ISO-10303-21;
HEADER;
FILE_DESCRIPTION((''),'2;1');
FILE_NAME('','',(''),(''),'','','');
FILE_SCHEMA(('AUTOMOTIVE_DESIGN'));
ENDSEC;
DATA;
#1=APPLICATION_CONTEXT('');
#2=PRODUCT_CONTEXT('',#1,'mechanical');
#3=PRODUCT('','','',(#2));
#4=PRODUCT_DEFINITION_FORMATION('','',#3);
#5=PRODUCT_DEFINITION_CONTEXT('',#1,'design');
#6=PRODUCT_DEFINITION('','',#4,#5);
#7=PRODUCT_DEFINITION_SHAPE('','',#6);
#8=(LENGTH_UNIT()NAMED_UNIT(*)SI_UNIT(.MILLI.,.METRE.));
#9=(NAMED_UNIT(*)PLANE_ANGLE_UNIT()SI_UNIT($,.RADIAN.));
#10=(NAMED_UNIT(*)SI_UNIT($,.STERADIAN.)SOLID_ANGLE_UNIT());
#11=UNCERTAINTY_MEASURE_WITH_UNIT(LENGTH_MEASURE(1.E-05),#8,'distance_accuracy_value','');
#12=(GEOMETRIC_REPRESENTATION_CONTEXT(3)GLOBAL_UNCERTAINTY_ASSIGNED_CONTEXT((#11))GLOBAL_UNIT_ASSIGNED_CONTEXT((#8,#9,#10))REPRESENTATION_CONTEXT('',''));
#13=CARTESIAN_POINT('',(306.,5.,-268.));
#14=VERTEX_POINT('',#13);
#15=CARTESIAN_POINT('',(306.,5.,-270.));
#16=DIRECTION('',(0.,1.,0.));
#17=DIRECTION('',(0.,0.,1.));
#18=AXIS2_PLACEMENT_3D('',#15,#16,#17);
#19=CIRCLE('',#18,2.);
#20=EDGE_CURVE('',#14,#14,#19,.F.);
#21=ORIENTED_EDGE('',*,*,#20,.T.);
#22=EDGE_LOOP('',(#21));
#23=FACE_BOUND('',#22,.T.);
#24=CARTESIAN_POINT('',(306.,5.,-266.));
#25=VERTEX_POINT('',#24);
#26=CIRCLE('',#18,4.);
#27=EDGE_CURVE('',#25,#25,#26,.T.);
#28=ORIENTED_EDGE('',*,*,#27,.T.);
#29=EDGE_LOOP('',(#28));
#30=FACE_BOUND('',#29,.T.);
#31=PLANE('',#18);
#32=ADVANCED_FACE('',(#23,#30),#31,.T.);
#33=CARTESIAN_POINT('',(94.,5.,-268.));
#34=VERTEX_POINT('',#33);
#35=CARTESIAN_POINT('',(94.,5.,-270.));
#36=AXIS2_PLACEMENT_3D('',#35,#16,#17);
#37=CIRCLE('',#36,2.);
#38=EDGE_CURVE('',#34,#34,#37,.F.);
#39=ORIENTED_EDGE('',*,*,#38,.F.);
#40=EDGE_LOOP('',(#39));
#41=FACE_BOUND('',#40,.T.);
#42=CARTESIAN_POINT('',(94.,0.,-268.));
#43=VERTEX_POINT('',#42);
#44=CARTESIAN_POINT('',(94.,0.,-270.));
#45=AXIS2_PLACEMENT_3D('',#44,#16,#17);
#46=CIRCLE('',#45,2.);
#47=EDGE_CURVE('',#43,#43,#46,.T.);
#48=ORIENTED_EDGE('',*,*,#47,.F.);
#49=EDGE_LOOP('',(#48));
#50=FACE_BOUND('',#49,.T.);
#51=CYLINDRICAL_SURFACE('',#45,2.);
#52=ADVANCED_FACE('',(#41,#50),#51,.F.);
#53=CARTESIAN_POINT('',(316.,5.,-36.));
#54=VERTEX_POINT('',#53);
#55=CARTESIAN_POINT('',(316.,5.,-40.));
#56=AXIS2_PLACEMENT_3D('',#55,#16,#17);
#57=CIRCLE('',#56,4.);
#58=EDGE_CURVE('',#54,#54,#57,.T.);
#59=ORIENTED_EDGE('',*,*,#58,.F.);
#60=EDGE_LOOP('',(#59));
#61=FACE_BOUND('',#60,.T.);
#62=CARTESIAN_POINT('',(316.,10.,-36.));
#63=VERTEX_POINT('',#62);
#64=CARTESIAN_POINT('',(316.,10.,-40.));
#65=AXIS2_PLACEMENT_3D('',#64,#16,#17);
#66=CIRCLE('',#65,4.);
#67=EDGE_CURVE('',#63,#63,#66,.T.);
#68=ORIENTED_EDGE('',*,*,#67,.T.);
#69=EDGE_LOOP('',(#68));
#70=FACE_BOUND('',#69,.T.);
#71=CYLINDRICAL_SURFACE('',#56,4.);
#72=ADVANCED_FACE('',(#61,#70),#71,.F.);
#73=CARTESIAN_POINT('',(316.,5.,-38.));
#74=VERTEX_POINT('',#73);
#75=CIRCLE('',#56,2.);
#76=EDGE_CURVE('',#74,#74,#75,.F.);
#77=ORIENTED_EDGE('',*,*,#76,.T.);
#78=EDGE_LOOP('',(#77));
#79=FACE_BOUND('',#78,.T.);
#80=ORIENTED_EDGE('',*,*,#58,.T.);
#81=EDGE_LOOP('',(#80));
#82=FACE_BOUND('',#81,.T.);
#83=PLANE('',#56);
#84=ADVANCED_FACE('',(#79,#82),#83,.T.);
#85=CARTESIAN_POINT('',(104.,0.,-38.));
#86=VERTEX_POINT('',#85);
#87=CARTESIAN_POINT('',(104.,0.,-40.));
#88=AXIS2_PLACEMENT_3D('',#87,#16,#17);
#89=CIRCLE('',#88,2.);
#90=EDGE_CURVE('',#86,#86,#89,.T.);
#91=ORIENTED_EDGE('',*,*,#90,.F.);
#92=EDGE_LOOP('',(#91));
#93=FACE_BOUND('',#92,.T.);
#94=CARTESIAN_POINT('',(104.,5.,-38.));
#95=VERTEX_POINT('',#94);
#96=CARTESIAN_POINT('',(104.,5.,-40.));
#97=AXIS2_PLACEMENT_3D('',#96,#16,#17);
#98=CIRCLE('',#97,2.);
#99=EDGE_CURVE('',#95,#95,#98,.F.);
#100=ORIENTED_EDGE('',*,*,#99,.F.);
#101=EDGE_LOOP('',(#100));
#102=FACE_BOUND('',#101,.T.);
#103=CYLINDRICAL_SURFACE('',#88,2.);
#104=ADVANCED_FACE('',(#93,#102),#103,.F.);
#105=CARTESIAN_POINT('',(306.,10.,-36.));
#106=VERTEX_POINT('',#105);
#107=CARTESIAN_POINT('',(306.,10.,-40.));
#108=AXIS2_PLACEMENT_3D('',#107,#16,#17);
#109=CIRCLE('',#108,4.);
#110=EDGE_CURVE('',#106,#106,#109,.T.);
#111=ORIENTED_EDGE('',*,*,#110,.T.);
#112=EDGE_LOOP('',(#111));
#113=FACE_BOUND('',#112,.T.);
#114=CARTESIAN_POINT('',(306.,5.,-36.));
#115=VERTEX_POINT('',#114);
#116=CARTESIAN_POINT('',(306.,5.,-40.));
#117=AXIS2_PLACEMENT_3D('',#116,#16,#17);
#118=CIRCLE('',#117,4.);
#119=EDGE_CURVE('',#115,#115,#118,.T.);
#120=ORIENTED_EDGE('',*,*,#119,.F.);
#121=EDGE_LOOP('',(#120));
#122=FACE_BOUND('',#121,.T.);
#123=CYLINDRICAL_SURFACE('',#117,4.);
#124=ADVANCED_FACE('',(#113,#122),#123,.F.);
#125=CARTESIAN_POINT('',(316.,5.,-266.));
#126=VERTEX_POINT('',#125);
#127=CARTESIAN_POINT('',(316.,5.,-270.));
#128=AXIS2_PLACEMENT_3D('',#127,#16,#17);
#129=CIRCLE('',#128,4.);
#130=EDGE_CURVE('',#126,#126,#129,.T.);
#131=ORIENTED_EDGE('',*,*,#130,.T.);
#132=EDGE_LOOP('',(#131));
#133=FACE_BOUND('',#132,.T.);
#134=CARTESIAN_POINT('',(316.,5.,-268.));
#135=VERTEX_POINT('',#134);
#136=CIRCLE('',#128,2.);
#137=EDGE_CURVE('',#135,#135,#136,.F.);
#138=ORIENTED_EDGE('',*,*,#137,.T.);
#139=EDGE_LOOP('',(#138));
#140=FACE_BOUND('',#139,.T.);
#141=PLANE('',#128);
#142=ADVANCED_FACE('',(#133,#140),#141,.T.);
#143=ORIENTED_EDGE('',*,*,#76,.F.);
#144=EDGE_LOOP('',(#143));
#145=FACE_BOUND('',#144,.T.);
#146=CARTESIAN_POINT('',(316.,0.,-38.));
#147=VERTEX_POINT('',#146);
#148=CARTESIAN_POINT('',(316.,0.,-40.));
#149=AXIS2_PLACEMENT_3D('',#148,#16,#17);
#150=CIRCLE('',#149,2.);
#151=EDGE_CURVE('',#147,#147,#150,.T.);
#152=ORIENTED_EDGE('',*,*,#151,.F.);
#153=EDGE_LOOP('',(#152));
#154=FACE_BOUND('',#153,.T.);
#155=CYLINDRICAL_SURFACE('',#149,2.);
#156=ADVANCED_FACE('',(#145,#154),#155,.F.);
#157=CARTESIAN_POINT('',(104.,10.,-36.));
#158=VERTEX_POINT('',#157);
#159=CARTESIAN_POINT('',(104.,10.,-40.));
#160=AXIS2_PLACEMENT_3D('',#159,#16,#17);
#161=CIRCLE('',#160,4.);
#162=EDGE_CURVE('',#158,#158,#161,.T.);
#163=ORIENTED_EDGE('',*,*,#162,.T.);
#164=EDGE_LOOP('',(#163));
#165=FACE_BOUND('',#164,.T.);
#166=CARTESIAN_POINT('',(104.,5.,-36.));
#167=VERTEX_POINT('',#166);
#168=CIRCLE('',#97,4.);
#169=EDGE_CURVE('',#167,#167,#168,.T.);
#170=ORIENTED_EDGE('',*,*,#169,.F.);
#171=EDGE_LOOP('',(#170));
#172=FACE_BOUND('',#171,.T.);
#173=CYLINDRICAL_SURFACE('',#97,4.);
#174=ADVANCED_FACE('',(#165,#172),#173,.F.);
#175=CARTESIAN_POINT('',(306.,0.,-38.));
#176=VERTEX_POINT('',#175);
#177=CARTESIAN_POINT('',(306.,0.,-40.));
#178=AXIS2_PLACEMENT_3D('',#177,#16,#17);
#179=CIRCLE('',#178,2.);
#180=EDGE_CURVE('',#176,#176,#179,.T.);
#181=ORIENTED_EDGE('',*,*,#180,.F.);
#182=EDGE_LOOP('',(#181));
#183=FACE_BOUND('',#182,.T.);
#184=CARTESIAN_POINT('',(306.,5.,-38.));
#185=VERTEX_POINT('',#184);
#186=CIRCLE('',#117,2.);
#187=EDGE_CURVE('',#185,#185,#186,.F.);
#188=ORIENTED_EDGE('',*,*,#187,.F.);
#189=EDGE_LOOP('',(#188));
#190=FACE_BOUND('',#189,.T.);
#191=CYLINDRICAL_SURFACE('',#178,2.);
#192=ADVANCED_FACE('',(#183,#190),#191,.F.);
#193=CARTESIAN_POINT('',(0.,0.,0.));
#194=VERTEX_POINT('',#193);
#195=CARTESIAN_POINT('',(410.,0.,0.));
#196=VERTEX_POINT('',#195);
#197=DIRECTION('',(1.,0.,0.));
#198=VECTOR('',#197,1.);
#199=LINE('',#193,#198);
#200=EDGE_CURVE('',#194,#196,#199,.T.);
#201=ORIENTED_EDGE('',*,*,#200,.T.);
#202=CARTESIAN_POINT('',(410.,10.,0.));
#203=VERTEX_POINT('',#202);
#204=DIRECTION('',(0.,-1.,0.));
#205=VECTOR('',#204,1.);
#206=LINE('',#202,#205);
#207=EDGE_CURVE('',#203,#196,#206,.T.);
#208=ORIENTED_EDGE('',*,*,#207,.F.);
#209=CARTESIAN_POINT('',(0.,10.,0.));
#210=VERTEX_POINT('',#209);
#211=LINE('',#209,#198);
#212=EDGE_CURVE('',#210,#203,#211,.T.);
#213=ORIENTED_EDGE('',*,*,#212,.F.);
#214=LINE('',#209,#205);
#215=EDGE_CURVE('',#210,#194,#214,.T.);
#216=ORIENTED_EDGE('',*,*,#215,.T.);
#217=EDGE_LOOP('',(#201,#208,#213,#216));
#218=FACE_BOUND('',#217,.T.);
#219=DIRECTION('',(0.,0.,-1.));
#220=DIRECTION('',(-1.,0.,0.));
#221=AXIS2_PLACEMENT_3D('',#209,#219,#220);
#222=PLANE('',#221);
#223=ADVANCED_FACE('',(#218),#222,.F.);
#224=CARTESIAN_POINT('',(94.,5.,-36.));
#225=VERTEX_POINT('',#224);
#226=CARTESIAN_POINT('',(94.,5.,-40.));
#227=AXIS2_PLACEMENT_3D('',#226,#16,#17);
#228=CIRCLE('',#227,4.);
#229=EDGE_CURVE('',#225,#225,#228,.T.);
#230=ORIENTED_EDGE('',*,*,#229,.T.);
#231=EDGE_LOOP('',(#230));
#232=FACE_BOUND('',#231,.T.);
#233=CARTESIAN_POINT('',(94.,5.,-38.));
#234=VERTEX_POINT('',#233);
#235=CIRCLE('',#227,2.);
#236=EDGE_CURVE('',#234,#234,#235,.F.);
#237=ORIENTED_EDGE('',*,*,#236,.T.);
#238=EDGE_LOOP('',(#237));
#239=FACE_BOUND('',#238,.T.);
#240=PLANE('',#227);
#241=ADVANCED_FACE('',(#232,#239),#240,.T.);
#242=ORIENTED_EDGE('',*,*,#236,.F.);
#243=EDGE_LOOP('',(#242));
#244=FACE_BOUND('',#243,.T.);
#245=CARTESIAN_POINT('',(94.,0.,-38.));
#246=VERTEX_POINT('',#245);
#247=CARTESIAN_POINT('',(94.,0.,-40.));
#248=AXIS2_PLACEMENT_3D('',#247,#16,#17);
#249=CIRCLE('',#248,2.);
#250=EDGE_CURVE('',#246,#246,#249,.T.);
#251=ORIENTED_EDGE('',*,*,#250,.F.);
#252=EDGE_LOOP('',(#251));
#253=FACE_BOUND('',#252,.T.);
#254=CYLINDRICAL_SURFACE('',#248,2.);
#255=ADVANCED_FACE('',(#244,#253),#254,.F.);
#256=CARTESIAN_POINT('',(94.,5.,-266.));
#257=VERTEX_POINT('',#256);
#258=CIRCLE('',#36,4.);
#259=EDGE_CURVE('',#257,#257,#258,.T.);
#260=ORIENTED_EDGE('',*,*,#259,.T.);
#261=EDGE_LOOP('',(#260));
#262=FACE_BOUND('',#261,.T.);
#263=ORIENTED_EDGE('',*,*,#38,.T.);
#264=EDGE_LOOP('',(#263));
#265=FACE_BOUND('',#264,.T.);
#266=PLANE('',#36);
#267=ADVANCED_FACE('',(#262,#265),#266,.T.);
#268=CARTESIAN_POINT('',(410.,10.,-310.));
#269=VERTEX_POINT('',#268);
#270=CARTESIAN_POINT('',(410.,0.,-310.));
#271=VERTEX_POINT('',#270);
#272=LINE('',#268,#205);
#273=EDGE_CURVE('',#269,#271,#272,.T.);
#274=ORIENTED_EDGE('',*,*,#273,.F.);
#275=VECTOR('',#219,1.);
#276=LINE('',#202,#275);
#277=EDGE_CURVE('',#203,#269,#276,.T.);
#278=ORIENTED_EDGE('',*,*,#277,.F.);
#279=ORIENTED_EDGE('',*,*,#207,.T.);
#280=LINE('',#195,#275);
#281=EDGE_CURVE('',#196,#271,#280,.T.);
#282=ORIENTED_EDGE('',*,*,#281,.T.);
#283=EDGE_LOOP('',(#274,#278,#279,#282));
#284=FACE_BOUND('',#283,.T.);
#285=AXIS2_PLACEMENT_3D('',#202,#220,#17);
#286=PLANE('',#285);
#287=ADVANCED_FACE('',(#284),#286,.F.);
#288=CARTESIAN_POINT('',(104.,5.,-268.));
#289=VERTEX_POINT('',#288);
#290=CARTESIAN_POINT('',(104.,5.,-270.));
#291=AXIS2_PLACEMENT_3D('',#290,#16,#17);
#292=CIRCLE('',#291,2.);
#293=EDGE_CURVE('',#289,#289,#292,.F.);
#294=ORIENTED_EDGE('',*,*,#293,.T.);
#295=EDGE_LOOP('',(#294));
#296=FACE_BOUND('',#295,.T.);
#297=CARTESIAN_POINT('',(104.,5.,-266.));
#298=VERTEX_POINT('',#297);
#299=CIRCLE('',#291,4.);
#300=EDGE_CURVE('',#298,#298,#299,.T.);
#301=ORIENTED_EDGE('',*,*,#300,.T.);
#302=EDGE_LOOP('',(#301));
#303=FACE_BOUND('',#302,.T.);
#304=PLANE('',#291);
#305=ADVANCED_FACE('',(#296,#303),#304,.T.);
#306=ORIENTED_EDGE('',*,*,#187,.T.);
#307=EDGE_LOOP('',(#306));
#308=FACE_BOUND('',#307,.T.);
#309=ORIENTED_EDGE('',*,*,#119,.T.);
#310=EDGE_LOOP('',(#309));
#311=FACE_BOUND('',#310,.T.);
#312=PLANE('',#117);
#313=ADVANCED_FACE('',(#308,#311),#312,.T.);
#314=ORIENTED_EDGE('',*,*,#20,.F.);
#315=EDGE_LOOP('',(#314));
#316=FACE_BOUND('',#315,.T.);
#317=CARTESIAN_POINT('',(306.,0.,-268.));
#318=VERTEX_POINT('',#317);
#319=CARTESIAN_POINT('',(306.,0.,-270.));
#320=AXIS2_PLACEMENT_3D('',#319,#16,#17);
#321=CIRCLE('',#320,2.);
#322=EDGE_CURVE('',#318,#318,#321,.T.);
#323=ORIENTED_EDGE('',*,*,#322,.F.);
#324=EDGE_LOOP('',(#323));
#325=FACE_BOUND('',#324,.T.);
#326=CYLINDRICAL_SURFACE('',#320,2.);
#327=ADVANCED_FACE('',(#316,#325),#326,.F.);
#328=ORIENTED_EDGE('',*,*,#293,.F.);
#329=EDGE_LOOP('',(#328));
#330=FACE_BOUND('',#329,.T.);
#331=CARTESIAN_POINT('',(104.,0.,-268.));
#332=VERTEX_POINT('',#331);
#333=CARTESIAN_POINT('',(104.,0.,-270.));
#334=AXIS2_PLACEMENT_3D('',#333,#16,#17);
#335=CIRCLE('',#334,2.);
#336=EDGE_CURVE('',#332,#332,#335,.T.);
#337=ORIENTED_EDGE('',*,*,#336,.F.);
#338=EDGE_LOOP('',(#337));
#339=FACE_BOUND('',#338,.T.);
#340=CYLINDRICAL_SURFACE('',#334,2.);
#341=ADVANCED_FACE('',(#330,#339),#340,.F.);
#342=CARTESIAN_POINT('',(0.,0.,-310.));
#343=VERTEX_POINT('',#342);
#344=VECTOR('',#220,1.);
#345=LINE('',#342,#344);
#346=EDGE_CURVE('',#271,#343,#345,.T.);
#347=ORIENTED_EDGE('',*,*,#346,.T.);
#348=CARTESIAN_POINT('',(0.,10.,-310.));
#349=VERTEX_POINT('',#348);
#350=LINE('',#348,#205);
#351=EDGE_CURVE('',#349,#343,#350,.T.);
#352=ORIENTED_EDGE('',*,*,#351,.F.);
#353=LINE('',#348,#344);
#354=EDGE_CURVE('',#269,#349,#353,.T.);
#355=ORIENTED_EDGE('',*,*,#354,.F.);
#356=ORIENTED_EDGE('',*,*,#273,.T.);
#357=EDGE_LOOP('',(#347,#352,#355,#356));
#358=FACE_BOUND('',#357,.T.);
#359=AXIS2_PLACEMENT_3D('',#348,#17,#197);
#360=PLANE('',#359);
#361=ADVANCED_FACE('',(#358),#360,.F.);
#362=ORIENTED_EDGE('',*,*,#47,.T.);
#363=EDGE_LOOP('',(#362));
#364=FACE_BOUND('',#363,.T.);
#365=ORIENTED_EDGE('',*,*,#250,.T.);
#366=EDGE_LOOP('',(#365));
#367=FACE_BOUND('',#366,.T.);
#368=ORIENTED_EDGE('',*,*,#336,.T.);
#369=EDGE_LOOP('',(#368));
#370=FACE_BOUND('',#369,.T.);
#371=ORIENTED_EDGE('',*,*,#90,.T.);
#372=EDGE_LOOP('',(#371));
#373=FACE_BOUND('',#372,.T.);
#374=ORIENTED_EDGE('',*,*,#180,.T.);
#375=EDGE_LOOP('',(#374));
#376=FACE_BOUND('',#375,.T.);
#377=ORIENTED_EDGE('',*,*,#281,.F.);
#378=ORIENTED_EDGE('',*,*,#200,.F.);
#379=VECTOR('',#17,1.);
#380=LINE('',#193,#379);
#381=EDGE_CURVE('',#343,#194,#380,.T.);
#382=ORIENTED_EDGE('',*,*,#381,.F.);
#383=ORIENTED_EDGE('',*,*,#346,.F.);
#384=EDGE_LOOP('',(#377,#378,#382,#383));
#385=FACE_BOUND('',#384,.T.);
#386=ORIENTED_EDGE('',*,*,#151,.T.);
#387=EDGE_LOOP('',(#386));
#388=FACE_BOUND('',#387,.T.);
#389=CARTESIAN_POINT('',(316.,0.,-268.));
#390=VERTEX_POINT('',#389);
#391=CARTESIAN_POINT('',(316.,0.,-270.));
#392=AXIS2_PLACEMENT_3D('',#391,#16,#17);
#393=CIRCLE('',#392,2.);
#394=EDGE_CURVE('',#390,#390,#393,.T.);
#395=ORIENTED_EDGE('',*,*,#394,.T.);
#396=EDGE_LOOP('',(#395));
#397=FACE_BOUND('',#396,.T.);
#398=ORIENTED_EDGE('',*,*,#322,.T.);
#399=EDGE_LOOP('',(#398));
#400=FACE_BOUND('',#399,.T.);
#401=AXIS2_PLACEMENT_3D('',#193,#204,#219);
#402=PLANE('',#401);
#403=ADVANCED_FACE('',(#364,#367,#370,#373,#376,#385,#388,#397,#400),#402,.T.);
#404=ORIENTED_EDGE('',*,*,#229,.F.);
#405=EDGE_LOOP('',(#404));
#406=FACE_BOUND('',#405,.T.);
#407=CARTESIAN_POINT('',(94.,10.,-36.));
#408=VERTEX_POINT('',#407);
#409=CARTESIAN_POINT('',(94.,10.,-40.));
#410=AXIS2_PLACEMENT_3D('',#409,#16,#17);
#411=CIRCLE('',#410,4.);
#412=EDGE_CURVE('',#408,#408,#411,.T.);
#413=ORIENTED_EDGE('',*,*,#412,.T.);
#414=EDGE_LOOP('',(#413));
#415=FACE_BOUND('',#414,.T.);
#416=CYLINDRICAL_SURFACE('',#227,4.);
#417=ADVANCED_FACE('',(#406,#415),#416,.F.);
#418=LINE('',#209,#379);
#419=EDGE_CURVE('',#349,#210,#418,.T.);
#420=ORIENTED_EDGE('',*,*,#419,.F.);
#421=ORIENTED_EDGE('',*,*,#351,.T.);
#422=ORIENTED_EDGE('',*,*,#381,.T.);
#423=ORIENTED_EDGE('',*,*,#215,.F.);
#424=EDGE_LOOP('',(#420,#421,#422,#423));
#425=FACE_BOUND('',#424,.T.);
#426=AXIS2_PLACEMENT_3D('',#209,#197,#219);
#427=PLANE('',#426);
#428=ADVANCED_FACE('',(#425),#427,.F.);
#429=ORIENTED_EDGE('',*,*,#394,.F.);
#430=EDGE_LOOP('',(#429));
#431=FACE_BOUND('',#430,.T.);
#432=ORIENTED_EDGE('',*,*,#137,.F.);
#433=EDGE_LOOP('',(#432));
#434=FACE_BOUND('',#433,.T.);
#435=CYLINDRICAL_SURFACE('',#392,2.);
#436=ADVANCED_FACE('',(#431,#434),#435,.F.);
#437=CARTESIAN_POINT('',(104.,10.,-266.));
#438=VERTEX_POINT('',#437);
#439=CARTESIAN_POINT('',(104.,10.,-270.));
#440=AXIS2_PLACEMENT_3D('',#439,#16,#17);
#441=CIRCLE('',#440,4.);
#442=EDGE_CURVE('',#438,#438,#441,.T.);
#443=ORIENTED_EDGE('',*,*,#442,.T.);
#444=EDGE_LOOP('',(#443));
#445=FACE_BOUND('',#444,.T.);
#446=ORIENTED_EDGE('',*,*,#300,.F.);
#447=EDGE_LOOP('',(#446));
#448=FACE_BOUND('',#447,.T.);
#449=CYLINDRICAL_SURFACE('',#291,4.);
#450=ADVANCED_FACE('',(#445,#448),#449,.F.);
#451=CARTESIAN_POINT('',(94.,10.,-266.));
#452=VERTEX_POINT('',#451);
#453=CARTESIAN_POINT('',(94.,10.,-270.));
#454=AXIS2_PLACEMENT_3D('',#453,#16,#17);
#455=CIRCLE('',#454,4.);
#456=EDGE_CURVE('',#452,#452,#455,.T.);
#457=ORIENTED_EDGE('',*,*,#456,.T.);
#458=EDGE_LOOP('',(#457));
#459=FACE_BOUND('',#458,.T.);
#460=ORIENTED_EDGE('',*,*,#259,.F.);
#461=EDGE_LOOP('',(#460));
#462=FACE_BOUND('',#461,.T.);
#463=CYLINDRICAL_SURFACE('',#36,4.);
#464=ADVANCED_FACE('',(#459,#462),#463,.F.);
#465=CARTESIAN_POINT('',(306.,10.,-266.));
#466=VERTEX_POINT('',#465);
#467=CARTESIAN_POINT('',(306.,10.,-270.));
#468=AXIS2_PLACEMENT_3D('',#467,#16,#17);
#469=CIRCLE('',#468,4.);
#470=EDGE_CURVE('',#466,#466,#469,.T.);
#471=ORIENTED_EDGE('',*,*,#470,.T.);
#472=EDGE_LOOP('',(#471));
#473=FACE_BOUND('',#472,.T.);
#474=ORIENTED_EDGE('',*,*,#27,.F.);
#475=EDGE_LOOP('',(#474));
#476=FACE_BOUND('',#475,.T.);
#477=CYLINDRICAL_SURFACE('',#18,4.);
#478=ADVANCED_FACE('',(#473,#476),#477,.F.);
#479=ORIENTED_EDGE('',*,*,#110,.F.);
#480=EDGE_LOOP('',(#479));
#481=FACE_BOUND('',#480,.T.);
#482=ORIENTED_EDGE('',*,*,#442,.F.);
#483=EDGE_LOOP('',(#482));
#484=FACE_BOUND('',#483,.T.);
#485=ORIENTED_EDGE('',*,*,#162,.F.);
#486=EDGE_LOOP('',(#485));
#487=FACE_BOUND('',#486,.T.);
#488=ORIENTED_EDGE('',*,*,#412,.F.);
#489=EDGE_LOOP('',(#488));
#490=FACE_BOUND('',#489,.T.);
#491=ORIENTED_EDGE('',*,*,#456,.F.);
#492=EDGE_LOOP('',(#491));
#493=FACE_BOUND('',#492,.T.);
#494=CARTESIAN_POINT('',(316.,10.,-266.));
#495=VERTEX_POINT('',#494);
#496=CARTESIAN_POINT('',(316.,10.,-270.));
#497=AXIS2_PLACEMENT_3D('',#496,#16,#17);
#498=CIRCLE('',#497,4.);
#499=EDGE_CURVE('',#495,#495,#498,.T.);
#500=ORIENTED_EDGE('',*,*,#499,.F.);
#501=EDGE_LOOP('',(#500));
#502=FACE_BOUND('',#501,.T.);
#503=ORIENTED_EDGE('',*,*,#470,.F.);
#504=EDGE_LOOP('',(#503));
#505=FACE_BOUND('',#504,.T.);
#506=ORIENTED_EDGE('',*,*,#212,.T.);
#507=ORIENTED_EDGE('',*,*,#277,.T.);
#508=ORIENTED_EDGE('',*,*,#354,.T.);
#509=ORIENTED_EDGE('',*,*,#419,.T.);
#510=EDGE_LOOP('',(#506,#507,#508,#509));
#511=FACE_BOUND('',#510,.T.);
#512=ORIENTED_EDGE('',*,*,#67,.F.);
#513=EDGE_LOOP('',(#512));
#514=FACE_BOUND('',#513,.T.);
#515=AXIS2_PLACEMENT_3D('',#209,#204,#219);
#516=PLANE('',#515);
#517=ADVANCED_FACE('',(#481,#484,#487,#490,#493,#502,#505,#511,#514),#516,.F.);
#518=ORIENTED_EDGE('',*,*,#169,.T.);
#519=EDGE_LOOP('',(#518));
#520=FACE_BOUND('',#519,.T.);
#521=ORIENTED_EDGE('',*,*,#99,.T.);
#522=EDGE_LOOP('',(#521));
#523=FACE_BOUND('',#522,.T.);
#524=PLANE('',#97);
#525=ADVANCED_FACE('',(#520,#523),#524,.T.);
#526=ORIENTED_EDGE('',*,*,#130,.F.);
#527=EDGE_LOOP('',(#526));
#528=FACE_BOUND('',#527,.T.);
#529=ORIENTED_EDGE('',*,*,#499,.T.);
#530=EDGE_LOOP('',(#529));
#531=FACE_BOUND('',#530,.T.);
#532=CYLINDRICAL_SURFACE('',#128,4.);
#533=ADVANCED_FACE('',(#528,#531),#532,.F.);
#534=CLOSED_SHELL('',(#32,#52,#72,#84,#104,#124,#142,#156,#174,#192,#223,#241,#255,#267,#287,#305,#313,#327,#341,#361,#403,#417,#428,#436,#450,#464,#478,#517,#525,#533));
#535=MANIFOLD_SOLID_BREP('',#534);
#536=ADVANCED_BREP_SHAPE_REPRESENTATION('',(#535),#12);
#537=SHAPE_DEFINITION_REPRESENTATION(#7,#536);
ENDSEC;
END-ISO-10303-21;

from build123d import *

# Parameters (mm, degrees)
SKETCH1_W           = 410
SKETCH1_H           = 310
BOSS_EXTRUDE1_DEPTH = 10
SKETCH2_R           = 2
CUT_EXTRUDE1_DEPTH  = 515.101157361
SKETCH3_R           = 4
CUT_EXTRUDE2_DEPTH  = 5


with BuildPart() as part:
    # Sketch1 → Boss-Extrude1 (new body)
    with BuildSketch(Plane(origin=(0, 0, 0), x_dir=(1, 0, 0), z_dir=(0, 1, 0))):
        with Locations((205, 155)):
            Rectangle(SKETCH1_W, SKETCH1_H)
    extrude(amount=BOSS_EXTRUDE1_DEPTH)

    # Sketch2 → Cut-Extrude1 (cut, through all)
    with BuildSketch(Plane(origin=(0, 10, 0), x_dir=(1, 0, 0), z_dir=(0, 1, 0))):
        with Locations(Location((94, 40, 0), (0, 0, 270))):
            Circle(SKETCH2_R)
        with Locations(Location((104, 40, 0), (0, 0, 270))):
            Circle(SKETCH2_R)
        with Locations(Location((306, 40, 0), (0, 0, 270))):
            Circle(SKETCH2_R)
        with Locations(Location((316, 40, 0), (0, 0, 270))):
            Circle(SKETCH2_R)
        with Locations(Location((316, 270, 0), (0, 0, 270))):
            Circle(SKETCH2_R)
        with Locations(Location((306, 270, 0), (0, 0, 270))):
            Circle(SKETCH2_R)
        with Locations(Location((104, 270, 0), (0, 0, 270))):
            Circle(SKETCH2_R)
        with Locations(Location((94, 270, 0), (0, 0, 270))):
            Circle(SKETCH2_R)
    extrude(amount=-CUT_EXTRUDE1_DEPTH, mode=Mode.SUBTRACT)

    # Sketch3 → Cut-Extrude2 (cut)
    with BuildSketch(Plane(origin=(0, 10, 0), x_dir=(1, 0, 0), z_dir=(0, 1, 0))):
        with Locations(Location((94, 270, 0), (0, 0, 270))):
            Circle(SKETCH3_R)
        with Locations(Location((104, 270, 0), (0, 0, 270))):
            Circle(SKETCH3_R)
        with Locations(Location((306, 270, 0), (0, 0, 270))):
            Circle(SKETCH3_R)
        with Locations(Location((316, 270, 0), (0, 0, 270))):
            Circle(SKETCH3_R)
        with Locations(Location((306, 40, 0), (0, 0, 270))):
            Circle(SKETCH3_R)
        with Locations(Location((316, 40, 0), (0, 0, 270))):
            Circle(SKETCH3_R)
        with Locations(Location((94, 40, 0), (0, 0, 270))):
            Circle(SKETCH3_R)
        with Locations(Location((104, 40, 0), (0, 0, 270))):
            Circle(SKETCH3_R)
    extrude(amount=-CUT_EXTRUDE2_DEPTH, mode=Mode.SUBTRACT)


solid = part.part
